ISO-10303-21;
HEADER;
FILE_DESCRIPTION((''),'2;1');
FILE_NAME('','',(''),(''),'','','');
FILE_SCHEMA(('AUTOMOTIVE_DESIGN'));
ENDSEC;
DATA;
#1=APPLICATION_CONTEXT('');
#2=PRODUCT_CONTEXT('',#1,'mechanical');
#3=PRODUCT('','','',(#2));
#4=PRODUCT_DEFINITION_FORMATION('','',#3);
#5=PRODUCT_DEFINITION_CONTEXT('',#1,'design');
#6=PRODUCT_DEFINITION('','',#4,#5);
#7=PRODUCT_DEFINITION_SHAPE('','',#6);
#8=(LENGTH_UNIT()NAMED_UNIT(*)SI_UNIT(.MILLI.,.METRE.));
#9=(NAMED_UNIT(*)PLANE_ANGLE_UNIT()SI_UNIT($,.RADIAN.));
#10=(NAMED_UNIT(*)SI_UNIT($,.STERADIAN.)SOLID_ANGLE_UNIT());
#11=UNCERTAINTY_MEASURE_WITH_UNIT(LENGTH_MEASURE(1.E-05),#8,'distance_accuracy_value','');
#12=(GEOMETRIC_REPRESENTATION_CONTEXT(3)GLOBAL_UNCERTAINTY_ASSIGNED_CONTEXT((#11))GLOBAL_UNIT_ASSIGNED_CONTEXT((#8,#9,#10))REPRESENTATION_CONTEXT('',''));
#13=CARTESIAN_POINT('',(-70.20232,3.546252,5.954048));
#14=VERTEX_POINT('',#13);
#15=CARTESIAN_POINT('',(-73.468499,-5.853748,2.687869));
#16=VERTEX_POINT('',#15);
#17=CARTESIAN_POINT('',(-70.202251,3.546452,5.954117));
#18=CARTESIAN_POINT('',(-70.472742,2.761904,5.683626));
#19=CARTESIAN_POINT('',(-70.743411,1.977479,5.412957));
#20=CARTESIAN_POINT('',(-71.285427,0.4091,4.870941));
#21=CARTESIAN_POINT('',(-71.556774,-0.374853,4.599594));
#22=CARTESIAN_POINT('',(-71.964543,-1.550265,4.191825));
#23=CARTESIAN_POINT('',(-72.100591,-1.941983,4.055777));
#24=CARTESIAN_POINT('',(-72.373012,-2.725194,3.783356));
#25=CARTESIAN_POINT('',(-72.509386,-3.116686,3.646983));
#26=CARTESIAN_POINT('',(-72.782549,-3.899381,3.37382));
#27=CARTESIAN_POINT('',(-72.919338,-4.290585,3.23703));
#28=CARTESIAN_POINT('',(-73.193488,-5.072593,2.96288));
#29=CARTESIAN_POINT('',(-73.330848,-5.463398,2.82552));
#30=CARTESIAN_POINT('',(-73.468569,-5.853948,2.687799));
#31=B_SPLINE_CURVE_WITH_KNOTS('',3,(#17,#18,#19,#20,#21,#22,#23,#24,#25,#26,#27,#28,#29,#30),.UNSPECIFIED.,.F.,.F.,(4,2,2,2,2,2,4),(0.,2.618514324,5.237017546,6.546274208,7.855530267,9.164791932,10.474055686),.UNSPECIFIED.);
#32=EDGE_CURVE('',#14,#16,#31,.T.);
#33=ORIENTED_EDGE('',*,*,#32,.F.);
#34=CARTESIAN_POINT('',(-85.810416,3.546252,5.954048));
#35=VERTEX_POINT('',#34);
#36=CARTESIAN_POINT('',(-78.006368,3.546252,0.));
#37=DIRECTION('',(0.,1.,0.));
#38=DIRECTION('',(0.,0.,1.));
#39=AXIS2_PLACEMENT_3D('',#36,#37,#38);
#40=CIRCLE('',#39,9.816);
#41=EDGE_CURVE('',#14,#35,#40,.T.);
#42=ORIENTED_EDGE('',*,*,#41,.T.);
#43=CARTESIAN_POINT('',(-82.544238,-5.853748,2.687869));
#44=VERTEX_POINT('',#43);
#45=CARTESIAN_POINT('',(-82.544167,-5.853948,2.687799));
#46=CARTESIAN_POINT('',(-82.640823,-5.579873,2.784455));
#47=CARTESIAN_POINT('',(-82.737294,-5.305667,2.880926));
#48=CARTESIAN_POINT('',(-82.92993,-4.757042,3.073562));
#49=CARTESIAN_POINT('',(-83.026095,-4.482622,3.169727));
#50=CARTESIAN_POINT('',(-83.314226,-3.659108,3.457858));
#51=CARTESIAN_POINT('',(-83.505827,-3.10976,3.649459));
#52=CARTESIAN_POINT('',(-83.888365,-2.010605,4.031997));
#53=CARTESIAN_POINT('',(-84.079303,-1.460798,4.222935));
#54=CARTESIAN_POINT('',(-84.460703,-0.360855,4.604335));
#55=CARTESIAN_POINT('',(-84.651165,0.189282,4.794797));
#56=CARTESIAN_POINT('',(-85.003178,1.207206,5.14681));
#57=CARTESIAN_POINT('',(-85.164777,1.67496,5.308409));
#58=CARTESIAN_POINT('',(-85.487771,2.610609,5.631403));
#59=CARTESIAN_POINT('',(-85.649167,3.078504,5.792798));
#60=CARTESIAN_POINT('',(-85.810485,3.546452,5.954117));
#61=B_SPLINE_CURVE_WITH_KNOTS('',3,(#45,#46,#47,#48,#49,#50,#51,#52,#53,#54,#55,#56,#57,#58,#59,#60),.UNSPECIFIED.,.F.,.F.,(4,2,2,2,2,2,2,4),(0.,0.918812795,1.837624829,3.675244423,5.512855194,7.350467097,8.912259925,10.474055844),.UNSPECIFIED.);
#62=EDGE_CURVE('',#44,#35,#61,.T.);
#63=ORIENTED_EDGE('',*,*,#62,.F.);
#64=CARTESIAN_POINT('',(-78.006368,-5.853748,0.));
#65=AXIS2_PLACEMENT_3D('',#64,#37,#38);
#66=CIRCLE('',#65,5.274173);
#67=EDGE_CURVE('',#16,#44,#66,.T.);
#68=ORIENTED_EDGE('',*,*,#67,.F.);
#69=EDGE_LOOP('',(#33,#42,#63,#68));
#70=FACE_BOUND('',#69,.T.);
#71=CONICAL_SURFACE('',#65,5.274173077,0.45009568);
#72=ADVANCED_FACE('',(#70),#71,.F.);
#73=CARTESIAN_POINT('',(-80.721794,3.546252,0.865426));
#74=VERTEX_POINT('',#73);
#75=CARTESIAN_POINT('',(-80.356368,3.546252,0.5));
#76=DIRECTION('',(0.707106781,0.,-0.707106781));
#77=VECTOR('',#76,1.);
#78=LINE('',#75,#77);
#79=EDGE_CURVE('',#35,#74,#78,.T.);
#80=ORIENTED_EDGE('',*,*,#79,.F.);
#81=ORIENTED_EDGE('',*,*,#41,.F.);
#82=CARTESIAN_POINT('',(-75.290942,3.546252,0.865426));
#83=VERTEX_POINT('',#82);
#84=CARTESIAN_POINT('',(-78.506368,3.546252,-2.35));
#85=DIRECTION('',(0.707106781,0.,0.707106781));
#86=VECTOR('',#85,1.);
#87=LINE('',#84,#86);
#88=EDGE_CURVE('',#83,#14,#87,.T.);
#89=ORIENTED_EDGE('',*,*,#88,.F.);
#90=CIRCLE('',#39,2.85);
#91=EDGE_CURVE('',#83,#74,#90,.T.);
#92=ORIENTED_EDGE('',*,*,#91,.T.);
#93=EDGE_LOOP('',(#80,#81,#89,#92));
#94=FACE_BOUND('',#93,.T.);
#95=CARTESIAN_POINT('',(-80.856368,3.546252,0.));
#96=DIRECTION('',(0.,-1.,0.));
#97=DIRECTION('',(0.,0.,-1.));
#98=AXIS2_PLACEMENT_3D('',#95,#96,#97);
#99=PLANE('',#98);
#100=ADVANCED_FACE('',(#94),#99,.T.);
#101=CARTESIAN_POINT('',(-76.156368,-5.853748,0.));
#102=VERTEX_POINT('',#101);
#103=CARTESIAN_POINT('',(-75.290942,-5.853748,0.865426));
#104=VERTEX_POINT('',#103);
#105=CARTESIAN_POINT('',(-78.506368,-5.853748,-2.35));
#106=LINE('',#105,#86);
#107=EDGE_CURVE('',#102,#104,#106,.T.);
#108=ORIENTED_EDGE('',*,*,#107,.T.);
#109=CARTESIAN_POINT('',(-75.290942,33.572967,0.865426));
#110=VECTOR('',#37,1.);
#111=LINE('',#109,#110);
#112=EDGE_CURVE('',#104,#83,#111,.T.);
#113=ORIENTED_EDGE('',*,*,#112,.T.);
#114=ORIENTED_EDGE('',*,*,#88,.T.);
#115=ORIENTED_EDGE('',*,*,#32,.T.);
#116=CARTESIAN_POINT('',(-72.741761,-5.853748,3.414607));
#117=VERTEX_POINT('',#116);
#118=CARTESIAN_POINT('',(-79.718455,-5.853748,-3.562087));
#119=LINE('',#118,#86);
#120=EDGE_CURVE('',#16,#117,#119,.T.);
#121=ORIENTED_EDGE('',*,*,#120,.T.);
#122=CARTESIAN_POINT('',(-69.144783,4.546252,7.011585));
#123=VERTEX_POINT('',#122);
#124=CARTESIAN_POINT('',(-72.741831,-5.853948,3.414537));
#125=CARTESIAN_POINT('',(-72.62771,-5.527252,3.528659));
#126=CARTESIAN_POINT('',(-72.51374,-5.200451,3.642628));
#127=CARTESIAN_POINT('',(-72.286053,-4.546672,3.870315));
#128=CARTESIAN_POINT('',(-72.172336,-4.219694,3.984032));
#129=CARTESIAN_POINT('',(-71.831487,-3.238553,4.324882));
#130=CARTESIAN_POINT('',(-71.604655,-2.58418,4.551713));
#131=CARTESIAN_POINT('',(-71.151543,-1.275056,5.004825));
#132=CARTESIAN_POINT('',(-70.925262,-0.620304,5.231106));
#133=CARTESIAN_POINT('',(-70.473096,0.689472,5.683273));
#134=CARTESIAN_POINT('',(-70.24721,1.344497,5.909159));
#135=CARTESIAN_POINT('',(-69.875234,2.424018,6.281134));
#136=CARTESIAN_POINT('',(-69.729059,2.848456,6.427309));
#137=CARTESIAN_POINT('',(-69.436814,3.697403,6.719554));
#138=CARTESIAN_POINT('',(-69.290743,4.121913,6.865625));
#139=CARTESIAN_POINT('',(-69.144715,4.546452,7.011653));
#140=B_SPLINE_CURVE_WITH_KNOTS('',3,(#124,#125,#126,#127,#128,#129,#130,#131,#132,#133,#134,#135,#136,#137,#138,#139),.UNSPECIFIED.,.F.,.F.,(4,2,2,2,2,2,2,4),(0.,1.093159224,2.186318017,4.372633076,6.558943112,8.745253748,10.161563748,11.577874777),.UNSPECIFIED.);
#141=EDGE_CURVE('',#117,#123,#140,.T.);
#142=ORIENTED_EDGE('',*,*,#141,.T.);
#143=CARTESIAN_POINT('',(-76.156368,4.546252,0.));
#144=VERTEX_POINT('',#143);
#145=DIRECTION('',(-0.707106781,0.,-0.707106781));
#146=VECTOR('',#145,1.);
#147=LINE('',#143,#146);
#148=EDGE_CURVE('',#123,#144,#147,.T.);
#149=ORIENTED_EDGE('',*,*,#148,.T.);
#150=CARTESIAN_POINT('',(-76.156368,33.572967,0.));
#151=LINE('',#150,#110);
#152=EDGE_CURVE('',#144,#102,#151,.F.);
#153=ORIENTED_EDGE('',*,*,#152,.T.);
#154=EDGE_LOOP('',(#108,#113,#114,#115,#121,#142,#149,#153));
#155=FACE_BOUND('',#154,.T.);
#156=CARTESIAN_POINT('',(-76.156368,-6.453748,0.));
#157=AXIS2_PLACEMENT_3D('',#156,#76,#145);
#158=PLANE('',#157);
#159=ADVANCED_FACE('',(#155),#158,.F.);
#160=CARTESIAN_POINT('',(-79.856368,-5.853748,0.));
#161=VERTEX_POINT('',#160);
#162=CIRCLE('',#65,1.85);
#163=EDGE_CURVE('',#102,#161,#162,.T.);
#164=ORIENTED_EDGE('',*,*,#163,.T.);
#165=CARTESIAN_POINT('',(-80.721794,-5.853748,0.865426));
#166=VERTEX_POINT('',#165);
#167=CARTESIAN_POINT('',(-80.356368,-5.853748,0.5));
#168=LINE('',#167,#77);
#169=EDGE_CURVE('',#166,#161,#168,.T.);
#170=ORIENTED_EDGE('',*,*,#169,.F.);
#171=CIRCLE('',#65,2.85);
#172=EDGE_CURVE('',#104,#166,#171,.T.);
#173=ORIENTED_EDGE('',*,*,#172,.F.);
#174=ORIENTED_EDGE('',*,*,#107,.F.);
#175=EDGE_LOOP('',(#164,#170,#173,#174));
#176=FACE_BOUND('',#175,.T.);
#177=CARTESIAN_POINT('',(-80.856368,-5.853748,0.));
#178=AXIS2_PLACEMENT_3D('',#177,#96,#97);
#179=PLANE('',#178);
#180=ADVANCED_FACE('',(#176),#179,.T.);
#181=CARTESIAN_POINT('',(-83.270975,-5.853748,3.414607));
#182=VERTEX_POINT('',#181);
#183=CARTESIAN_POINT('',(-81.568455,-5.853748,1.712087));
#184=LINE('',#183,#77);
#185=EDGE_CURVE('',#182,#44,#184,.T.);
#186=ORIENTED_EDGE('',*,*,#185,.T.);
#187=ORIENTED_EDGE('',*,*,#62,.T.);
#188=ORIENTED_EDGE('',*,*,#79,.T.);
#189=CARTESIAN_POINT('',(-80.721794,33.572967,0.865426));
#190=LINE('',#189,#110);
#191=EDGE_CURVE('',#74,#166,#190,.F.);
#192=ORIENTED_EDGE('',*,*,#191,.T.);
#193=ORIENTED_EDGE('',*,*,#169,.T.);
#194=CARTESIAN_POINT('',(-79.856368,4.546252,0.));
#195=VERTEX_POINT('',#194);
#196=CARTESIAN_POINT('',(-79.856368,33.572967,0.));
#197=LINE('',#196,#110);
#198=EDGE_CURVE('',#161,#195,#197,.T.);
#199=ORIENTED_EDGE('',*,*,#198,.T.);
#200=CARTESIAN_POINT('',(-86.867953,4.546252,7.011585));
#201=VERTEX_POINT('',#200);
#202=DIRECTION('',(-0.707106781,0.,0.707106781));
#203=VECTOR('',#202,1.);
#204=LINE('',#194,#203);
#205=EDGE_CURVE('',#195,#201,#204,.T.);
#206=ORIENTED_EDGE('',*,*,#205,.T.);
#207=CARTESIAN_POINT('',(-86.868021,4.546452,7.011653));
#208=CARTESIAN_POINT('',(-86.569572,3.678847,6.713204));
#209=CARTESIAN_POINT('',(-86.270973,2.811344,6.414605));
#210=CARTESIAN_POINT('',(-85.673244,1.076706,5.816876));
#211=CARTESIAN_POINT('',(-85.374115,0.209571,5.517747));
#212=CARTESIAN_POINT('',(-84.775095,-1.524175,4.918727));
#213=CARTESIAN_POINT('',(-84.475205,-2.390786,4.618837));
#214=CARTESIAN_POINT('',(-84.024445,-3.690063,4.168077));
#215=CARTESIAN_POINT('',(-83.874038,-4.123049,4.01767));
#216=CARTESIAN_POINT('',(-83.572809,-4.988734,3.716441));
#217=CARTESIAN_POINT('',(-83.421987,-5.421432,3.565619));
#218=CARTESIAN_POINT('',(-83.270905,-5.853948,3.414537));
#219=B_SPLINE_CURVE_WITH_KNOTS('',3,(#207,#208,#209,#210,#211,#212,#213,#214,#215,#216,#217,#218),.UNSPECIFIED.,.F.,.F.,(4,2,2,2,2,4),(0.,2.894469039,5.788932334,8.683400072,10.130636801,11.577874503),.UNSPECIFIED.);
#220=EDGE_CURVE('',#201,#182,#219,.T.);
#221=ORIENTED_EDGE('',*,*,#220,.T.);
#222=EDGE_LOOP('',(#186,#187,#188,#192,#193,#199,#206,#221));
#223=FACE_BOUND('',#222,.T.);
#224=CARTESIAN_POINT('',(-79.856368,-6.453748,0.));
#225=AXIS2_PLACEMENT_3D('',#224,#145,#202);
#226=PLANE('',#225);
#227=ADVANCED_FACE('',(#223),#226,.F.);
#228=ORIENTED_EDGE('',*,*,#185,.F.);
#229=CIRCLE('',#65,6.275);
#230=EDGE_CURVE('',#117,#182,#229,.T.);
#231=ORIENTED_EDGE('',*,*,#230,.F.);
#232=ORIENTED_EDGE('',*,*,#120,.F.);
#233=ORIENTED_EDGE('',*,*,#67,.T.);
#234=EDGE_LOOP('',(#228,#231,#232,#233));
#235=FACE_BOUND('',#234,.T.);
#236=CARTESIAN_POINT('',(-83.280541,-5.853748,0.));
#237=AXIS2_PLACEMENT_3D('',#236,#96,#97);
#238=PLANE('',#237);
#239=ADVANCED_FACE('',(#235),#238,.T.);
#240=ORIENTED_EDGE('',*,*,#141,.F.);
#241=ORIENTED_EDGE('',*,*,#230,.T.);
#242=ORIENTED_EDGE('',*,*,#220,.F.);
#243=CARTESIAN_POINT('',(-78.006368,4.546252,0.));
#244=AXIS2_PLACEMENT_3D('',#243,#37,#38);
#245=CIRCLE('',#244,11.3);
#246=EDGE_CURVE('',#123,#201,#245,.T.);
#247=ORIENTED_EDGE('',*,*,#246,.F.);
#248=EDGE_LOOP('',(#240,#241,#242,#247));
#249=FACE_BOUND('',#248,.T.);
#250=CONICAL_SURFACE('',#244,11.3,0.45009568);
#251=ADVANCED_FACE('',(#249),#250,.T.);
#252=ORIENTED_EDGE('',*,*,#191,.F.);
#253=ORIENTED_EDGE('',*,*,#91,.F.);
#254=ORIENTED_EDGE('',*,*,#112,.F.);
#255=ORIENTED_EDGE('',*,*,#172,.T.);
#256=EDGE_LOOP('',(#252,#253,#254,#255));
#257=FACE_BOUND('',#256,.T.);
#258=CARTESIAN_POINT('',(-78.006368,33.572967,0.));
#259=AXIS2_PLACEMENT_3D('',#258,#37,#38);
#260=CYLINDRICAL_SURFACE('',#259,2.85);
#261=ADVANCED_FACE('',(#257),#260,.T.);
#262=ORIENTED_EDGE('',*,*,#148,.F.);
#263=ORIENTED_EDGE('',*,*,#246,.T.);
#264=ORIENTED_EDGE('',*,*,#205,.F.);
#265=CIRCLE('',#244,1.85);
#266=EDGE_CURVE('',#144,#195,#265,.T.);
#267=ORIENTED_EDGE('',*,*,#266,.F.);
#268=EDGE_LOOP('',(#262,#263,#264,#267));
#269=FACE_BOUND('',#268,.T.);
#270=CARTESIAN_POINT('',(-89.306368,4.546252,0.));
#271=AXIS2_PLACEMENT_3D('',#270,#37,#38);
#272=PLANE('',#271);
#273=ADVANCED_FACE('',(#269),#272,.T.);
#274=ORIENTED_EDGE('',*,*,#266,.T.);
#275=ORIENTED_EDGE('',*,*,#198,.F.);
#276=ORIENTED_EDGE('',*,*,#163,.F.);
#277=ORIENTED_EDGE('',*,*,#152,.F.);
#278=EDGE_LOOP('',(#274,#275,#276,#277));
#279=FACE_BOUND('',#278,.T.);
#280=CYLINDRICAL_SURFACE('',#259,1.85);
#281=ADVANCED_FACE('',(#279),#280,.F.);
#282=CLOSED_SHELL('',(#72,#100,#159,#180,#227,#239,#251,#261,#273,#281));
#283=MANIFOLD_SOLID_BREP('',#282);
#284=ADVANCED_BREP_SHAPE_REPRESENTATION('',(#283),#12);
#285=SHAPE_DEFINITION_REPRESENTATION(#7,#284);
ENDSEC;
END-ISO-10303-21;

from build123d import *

# Parameters (mm, degrees)
CORTAR_EXTRUIR1_DEPTH = 11


with BuildPart() as part:
    # Croquis1 → Revolución1 (revolve)
    with BuildSketch(Plane.XY, mode=Mode.PRIVATE) as revoluci_n1_sk:
        Polygon((-89.306368068, 4.546251994), (-84.281368068, -5.853748006), (-83.280541145, -5.853748006), (-87.822368068, 3.546251994), (-80.856368068, 3.546251994), (-80.856368068, -5.853748006), (-79.856368068, -5.853748006), (-79.856368068, 4.546251994), align=None)
    revolve(revoluci_n1_sk.sketch.rotate(Axis((-78.006368068, 33.572966507, 0), (0, -1, 0)), 270), axis=Axis((-78.006368068, 33.572966507, 0), (0, -1, 0)))

    # Croquis2 → Cortar-Extruir1 (cut)
    with BuildSketch(Plane(origin=(0, 4.546251994, 0), x_dir=(1, 0, 0), z_dir=(0, 1, 0))):
        with BuildLine():
            Line((-76.156368068, 0), (-69.144783475, -7.011584593))
            ThreePointArc((-69.144783475, -7.011584593), (-78.006368068, -11.3), (-86.867952661, -7.011584593))
            Line((-86.867952661, -7.011584593), (-79.856368068, 0))
            ThreePointArc((-79.856368068, 0), (-78.006368068, -1.85), (-76.156368068, 0))
        make_face()
    extrude(amount=-CORTAR_EXTRUIR1_DEPTH, mode=Mode.SUBTRACT)


solid = part.part
